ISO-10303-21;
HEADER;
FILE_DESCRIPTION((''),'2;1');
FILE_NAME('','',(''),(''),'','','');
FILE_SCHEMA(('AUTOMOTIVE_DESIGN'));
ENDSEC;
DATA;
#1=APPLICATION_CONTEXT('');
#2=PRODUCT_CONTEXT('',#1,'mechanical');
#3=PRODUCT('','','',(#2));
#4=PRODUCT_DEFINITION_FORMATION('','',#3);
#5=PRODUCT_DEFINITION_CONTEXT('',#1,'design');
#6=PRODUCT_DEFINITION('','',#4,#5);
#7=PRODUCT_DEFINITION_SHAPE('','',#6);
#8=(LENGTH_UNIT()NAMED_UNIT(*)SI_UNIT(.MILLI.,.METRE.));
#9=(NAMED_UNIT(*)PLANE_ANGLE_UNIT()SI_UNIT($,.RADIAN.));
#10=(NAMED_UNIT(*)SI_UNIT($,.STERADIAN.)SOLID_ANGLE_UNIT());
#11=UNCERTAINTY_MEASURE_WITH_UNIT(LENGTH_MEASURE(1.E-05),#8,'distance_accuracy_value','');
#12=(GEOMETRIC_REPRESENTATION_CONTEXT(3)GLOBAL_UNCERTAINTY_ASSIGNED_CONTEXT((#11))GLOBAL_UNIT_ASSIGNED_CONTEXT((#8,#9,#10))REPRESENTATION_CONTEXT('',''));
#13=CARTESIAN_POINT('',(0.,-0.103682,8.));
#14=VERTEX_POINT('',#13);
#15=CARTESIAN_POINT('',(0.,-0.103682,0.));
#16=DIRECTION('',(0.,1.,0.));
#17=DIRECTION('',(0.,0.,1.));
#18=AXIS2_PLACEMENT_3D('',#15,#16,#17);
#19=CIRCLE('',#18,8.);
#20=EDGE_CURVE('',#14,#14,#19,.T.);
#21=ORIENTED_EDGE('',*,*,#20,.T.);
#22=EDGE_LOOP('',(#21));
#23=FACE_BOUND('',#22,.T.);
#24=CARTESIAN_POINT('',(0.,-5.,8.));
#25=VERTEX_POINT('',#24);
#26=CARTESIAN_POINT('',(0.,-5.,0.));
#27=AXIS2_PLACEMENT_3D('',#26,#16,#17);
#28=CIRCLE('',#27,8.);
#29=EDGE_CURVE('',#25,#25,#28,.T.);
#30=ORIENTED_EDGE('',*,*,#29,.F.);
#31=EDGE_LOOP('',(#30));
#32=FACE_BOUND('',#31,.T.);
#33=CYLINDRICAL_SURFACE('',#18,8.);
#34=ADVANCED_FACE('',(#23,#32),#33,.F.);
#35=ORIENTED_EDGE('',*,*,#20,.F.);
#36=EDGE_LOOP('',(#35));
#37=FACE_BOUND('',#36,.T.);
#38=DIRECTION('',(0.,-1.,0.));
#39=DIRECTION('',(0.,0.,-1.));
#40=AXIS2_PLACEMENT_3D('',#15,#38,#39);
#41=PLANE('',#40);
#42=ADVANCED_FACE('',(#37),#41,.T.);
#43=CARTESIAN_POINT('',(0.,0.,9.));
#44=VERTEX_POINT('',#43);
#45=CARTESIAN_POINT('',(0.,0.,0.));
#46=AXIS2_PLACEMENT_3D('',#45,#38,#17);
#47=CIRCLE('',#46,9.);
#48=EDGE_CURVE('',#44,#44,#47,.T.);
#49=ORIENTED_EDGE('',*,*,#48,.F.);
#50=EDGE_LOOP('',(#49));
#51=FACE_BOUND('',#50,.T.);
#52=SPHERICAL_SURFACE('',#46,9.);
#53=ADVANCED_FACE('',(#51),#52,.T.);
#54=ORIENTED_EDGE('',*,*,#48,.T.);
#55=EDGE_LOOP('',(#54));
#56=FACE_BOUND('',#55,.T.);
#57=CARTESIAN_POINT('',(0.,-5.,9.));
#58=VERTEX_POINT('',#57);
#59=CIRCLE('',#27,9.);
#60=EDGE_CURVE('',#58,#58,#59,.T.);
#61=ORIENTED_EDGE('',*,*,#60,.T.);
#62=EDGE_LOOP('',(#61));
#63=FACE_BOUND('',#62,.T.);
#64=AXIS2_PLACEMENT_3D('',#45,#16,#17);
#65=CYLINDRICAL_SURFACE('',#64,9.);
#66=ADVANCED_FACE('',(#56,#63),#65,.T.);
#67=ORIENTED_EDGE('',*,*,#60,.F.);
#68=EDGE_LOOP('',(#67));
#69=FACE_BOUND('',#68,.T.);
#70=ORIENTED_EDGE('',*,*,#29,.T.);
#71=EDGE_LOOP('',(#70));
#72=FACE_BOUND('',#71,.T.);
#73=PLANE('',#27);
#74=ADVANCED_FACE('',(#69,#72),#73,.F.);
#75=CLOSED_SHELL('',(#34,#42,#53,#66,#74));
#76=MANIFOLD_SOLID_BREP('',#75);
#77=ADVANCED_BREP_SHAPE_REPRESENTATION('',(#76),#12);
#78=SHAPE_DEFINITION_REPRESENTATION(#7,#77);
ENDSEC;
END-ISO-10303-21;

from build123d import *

# Parameters (mm, degrees)
REVOLVE_1_ANGLE = 180
SKETCH_6_W      = 9
SKETCH_6_H      = 5
SKETCH_7_W      = 8
SKETCH_7_H      = 4.896318498


with BuildPart() as part:
    # 草图1 → 旋转1 (revolve)
    with BuildSketch(Plane(origin=(0, 0, 0), x_dir=(1, 0, 0), z_dir=(0, 1, 0))):
        with BuildLine():
            Line((0, 9), (0, -9))
            ThreePointArc((0, -9), (9, 0), (0, 9))
        make_face()
    revolve(axis=Axis((0, 0, -9), (0, 0, 1)), revolution_arc=REVOLVE_1_ANGLE)

    # 草图6 → 旋转2 (revolve)
    with BuildSketch(Plane(origin=(0, 0, 0), x_dir=(0, 0, -1), z_dir=(1, 0, 0)), mode=Mode.PRIVATE) as revolve_2_sk:
        with Locations((4.5, -2.5)):
            Rectangle(SKETCH_6_W, SKETCH_6_H)
    revolve(revolve_2_sk.sketch.rotate(Axis((0, 0, 0), (0, -1, 0)), 180), axis=Axis((0, 0, 0), (0, -1, 0)))

    # 草图7 → 切除-旋转2 (revolve, cut)
    with BuildSketch(Plane(origin=(0, 0, 0), x_dir=(0, 0, -1), z_dir=(1, 0, 0)), mode=Mode.PRIVATE) as cut_revolve_2_sk:
        with Locations((4, -2.551840751)):
            Rectangle(SKETCH_7_W, SKETCH_7_H)
    revolve(cut_revolve_2_sk.sketch.rotate(Axis((0, -0.103681502, 0), (0, -1, 0)), 180), axis=Axis((0, -0.103681502, 0), (0, -1, 0)), mode=Mode.SUBTRACT)


solid = part.part
